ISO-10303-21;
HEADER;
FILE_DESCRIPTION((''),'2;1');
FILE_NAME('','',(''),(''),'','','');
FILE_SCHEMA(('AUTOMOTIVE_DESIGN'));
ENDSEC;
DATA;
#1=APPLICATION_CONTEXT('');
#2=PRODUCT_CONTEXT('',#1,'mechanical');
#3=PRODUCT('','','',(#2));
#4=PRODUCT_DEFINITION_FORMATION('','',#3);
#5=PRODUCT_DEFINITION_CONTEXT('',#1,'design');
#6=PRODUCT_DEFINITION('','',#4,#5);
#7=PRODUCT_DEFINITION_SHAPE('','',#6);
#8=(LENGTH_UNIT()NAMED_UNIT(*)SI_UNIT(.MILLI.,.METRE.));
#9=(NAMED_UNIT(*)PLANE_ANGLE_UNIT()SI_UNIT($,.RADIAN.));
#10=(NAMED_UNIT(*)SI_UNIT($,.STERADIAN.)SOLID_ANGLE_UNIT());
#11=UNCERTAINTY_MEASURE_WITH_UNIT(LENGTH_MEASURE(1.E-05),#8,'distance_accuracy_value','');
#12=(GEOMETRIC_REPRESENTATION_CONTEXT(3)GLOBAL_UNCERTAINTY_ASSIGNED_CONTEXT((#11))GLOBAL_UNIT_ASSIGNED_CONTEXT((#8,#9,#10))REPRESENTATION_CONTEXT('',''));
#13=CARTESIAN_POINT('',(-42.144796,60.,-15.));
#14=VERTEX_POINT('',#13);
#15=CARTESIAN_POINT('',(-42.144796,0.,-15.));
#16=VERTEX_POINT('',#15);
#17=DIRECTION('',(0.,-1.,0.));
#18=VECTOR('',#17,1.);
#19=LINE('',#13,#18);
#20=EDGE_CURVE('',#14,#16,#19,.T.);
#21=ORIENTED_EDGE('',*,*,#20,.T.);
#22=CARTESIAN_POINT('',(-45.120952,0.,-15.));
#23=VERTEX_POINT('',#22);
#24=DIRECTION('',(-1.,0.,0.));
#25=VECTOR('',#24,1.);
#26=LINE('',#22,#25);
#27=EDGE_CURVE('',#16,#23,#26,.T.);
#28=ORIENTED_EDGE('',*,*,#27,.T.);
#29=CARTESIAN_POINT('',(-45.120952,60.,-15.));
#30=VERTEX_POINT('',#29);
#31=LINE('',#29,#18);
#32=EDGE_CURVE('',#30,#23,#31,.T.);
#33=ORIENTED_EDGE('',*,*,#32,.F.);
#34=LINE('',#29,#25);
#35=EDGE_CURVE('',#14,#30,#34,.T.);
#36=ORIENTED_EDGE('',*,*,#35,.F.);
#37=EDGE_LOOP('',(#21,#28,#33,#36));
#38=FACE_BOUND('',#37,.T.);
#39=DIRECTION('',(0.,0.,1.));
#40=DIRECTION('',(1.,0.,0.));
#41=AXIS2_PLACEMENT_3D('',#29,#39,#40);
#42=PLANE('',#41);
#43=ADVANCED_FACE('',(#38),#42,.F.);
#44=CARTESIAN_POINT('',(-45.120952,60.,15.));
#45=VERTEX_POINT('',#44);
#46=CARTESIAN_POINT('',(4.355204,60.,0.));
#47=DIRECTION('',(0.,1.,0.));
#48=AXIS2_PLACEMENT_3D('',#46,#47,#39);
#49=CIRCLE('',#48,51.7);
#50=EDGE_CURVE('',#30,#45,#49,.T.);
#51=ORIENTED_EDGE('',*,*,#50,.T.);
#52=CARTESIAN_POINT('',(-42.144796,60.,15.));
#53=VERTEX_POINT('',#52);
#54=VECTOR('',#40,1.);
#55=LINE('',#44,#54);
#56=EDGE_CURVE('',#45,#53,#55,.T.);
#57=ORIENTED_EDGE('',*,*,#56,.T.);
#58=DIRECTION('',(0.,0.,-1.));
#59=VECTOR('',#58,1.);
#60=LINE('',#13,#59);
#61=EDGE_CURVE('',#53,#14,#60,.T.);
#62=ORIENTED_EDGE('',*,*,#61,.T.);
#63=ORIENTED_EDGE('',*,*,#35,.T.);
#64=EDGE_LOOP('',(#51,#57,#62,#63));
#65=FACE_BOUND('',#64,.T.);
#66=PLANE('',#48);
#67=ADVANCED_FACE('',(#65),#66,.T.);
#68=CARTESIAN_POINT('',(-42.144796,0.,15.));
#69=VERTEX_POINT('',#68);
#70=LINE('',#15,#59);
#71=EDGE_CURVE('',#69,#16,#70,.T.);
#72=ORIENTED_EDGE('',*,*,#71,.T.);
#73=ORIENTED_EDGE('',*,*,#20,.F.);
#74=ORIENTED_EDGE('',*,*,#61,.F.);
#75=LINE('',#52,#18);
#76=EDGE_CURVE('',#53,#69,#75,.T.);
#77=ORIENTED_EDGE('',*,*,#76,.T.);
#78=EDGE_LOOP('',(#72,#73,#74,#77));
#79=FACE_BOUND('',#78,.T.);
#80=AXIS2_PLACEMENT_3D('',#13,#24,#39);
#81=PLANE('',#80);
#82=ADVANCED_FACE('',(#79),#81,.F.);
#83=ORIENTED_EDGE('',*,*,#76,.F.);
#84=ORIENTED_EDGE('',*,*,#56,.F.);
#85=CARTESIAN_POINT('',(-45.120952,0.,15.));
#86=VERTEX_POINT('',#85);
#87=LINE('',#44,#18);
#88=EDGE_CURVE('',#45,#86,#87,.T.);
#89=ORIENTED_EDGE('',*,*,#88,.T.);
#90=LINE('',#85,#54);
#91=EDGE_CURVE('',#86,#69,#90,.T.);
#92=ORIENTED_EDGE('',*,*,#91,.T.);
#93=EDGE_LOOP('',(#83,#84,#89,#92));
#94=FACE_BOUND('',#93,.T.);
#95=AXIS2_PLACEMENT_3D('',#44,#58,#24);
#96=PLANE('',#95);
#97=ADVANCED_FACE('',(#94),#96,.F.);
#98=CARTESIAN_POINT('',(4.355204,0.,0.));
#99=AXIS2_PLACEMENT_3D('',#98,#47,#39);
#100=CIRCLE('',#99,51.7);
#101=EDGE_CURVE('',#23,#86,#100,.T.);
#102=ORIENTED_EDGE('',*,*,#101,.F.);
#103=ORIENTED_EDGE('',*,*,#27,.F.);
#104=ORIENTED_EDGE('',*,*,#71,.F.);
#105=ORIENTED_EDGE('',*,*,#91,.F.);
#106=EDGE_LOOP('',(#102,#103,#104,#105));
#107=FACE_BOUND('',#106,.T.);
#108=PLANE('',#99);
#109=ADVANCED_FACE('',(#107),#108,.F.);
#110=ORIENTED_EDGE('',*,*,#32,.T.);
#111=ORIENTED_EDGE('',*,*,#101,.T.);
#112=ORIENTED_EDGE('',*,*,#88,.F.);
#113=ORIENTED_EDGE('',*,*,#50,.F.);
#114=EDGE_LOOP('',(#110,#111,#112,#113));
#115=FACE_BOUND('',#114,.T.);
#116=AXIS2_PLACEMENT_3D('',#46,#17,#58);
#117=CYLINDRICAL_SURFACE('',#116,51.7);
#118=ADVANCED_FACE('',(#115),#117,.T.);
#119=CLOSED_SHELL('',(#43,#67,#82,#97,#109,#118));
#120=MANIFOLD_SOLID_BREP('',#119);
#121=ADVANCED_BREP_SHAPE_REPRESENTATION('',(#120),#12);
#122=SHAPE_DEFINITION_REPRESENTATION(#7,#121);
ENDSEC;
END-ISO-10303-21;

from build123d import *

# Parameters (mm, degrees)
EXTRUDE_1_DEPTH = 60


with BuildPart() as part:
    # 草图1 → 凸台-拉伸1 (new body)
    with BuildSketch(Plane(origin=(0, 0, 0), x_dir=(1, 0, 0), z_dir=(0, 1, 0))):
        with BuildLine():
            Line((-45.120951538, 15), (-42.144795665, 15))
            Line((-42.144795665, 15), (-42.144795665, -15))
            Line((-42.144795665, -15), (-45.120951538, -15))
            ThreePointArc((-45.120951538, -15), (-47.344795665, 0), (-45.120951538, 15))
        make_face()
    extrude(amount=EXTRUDE_1_DEPTH)


solid = part.part
